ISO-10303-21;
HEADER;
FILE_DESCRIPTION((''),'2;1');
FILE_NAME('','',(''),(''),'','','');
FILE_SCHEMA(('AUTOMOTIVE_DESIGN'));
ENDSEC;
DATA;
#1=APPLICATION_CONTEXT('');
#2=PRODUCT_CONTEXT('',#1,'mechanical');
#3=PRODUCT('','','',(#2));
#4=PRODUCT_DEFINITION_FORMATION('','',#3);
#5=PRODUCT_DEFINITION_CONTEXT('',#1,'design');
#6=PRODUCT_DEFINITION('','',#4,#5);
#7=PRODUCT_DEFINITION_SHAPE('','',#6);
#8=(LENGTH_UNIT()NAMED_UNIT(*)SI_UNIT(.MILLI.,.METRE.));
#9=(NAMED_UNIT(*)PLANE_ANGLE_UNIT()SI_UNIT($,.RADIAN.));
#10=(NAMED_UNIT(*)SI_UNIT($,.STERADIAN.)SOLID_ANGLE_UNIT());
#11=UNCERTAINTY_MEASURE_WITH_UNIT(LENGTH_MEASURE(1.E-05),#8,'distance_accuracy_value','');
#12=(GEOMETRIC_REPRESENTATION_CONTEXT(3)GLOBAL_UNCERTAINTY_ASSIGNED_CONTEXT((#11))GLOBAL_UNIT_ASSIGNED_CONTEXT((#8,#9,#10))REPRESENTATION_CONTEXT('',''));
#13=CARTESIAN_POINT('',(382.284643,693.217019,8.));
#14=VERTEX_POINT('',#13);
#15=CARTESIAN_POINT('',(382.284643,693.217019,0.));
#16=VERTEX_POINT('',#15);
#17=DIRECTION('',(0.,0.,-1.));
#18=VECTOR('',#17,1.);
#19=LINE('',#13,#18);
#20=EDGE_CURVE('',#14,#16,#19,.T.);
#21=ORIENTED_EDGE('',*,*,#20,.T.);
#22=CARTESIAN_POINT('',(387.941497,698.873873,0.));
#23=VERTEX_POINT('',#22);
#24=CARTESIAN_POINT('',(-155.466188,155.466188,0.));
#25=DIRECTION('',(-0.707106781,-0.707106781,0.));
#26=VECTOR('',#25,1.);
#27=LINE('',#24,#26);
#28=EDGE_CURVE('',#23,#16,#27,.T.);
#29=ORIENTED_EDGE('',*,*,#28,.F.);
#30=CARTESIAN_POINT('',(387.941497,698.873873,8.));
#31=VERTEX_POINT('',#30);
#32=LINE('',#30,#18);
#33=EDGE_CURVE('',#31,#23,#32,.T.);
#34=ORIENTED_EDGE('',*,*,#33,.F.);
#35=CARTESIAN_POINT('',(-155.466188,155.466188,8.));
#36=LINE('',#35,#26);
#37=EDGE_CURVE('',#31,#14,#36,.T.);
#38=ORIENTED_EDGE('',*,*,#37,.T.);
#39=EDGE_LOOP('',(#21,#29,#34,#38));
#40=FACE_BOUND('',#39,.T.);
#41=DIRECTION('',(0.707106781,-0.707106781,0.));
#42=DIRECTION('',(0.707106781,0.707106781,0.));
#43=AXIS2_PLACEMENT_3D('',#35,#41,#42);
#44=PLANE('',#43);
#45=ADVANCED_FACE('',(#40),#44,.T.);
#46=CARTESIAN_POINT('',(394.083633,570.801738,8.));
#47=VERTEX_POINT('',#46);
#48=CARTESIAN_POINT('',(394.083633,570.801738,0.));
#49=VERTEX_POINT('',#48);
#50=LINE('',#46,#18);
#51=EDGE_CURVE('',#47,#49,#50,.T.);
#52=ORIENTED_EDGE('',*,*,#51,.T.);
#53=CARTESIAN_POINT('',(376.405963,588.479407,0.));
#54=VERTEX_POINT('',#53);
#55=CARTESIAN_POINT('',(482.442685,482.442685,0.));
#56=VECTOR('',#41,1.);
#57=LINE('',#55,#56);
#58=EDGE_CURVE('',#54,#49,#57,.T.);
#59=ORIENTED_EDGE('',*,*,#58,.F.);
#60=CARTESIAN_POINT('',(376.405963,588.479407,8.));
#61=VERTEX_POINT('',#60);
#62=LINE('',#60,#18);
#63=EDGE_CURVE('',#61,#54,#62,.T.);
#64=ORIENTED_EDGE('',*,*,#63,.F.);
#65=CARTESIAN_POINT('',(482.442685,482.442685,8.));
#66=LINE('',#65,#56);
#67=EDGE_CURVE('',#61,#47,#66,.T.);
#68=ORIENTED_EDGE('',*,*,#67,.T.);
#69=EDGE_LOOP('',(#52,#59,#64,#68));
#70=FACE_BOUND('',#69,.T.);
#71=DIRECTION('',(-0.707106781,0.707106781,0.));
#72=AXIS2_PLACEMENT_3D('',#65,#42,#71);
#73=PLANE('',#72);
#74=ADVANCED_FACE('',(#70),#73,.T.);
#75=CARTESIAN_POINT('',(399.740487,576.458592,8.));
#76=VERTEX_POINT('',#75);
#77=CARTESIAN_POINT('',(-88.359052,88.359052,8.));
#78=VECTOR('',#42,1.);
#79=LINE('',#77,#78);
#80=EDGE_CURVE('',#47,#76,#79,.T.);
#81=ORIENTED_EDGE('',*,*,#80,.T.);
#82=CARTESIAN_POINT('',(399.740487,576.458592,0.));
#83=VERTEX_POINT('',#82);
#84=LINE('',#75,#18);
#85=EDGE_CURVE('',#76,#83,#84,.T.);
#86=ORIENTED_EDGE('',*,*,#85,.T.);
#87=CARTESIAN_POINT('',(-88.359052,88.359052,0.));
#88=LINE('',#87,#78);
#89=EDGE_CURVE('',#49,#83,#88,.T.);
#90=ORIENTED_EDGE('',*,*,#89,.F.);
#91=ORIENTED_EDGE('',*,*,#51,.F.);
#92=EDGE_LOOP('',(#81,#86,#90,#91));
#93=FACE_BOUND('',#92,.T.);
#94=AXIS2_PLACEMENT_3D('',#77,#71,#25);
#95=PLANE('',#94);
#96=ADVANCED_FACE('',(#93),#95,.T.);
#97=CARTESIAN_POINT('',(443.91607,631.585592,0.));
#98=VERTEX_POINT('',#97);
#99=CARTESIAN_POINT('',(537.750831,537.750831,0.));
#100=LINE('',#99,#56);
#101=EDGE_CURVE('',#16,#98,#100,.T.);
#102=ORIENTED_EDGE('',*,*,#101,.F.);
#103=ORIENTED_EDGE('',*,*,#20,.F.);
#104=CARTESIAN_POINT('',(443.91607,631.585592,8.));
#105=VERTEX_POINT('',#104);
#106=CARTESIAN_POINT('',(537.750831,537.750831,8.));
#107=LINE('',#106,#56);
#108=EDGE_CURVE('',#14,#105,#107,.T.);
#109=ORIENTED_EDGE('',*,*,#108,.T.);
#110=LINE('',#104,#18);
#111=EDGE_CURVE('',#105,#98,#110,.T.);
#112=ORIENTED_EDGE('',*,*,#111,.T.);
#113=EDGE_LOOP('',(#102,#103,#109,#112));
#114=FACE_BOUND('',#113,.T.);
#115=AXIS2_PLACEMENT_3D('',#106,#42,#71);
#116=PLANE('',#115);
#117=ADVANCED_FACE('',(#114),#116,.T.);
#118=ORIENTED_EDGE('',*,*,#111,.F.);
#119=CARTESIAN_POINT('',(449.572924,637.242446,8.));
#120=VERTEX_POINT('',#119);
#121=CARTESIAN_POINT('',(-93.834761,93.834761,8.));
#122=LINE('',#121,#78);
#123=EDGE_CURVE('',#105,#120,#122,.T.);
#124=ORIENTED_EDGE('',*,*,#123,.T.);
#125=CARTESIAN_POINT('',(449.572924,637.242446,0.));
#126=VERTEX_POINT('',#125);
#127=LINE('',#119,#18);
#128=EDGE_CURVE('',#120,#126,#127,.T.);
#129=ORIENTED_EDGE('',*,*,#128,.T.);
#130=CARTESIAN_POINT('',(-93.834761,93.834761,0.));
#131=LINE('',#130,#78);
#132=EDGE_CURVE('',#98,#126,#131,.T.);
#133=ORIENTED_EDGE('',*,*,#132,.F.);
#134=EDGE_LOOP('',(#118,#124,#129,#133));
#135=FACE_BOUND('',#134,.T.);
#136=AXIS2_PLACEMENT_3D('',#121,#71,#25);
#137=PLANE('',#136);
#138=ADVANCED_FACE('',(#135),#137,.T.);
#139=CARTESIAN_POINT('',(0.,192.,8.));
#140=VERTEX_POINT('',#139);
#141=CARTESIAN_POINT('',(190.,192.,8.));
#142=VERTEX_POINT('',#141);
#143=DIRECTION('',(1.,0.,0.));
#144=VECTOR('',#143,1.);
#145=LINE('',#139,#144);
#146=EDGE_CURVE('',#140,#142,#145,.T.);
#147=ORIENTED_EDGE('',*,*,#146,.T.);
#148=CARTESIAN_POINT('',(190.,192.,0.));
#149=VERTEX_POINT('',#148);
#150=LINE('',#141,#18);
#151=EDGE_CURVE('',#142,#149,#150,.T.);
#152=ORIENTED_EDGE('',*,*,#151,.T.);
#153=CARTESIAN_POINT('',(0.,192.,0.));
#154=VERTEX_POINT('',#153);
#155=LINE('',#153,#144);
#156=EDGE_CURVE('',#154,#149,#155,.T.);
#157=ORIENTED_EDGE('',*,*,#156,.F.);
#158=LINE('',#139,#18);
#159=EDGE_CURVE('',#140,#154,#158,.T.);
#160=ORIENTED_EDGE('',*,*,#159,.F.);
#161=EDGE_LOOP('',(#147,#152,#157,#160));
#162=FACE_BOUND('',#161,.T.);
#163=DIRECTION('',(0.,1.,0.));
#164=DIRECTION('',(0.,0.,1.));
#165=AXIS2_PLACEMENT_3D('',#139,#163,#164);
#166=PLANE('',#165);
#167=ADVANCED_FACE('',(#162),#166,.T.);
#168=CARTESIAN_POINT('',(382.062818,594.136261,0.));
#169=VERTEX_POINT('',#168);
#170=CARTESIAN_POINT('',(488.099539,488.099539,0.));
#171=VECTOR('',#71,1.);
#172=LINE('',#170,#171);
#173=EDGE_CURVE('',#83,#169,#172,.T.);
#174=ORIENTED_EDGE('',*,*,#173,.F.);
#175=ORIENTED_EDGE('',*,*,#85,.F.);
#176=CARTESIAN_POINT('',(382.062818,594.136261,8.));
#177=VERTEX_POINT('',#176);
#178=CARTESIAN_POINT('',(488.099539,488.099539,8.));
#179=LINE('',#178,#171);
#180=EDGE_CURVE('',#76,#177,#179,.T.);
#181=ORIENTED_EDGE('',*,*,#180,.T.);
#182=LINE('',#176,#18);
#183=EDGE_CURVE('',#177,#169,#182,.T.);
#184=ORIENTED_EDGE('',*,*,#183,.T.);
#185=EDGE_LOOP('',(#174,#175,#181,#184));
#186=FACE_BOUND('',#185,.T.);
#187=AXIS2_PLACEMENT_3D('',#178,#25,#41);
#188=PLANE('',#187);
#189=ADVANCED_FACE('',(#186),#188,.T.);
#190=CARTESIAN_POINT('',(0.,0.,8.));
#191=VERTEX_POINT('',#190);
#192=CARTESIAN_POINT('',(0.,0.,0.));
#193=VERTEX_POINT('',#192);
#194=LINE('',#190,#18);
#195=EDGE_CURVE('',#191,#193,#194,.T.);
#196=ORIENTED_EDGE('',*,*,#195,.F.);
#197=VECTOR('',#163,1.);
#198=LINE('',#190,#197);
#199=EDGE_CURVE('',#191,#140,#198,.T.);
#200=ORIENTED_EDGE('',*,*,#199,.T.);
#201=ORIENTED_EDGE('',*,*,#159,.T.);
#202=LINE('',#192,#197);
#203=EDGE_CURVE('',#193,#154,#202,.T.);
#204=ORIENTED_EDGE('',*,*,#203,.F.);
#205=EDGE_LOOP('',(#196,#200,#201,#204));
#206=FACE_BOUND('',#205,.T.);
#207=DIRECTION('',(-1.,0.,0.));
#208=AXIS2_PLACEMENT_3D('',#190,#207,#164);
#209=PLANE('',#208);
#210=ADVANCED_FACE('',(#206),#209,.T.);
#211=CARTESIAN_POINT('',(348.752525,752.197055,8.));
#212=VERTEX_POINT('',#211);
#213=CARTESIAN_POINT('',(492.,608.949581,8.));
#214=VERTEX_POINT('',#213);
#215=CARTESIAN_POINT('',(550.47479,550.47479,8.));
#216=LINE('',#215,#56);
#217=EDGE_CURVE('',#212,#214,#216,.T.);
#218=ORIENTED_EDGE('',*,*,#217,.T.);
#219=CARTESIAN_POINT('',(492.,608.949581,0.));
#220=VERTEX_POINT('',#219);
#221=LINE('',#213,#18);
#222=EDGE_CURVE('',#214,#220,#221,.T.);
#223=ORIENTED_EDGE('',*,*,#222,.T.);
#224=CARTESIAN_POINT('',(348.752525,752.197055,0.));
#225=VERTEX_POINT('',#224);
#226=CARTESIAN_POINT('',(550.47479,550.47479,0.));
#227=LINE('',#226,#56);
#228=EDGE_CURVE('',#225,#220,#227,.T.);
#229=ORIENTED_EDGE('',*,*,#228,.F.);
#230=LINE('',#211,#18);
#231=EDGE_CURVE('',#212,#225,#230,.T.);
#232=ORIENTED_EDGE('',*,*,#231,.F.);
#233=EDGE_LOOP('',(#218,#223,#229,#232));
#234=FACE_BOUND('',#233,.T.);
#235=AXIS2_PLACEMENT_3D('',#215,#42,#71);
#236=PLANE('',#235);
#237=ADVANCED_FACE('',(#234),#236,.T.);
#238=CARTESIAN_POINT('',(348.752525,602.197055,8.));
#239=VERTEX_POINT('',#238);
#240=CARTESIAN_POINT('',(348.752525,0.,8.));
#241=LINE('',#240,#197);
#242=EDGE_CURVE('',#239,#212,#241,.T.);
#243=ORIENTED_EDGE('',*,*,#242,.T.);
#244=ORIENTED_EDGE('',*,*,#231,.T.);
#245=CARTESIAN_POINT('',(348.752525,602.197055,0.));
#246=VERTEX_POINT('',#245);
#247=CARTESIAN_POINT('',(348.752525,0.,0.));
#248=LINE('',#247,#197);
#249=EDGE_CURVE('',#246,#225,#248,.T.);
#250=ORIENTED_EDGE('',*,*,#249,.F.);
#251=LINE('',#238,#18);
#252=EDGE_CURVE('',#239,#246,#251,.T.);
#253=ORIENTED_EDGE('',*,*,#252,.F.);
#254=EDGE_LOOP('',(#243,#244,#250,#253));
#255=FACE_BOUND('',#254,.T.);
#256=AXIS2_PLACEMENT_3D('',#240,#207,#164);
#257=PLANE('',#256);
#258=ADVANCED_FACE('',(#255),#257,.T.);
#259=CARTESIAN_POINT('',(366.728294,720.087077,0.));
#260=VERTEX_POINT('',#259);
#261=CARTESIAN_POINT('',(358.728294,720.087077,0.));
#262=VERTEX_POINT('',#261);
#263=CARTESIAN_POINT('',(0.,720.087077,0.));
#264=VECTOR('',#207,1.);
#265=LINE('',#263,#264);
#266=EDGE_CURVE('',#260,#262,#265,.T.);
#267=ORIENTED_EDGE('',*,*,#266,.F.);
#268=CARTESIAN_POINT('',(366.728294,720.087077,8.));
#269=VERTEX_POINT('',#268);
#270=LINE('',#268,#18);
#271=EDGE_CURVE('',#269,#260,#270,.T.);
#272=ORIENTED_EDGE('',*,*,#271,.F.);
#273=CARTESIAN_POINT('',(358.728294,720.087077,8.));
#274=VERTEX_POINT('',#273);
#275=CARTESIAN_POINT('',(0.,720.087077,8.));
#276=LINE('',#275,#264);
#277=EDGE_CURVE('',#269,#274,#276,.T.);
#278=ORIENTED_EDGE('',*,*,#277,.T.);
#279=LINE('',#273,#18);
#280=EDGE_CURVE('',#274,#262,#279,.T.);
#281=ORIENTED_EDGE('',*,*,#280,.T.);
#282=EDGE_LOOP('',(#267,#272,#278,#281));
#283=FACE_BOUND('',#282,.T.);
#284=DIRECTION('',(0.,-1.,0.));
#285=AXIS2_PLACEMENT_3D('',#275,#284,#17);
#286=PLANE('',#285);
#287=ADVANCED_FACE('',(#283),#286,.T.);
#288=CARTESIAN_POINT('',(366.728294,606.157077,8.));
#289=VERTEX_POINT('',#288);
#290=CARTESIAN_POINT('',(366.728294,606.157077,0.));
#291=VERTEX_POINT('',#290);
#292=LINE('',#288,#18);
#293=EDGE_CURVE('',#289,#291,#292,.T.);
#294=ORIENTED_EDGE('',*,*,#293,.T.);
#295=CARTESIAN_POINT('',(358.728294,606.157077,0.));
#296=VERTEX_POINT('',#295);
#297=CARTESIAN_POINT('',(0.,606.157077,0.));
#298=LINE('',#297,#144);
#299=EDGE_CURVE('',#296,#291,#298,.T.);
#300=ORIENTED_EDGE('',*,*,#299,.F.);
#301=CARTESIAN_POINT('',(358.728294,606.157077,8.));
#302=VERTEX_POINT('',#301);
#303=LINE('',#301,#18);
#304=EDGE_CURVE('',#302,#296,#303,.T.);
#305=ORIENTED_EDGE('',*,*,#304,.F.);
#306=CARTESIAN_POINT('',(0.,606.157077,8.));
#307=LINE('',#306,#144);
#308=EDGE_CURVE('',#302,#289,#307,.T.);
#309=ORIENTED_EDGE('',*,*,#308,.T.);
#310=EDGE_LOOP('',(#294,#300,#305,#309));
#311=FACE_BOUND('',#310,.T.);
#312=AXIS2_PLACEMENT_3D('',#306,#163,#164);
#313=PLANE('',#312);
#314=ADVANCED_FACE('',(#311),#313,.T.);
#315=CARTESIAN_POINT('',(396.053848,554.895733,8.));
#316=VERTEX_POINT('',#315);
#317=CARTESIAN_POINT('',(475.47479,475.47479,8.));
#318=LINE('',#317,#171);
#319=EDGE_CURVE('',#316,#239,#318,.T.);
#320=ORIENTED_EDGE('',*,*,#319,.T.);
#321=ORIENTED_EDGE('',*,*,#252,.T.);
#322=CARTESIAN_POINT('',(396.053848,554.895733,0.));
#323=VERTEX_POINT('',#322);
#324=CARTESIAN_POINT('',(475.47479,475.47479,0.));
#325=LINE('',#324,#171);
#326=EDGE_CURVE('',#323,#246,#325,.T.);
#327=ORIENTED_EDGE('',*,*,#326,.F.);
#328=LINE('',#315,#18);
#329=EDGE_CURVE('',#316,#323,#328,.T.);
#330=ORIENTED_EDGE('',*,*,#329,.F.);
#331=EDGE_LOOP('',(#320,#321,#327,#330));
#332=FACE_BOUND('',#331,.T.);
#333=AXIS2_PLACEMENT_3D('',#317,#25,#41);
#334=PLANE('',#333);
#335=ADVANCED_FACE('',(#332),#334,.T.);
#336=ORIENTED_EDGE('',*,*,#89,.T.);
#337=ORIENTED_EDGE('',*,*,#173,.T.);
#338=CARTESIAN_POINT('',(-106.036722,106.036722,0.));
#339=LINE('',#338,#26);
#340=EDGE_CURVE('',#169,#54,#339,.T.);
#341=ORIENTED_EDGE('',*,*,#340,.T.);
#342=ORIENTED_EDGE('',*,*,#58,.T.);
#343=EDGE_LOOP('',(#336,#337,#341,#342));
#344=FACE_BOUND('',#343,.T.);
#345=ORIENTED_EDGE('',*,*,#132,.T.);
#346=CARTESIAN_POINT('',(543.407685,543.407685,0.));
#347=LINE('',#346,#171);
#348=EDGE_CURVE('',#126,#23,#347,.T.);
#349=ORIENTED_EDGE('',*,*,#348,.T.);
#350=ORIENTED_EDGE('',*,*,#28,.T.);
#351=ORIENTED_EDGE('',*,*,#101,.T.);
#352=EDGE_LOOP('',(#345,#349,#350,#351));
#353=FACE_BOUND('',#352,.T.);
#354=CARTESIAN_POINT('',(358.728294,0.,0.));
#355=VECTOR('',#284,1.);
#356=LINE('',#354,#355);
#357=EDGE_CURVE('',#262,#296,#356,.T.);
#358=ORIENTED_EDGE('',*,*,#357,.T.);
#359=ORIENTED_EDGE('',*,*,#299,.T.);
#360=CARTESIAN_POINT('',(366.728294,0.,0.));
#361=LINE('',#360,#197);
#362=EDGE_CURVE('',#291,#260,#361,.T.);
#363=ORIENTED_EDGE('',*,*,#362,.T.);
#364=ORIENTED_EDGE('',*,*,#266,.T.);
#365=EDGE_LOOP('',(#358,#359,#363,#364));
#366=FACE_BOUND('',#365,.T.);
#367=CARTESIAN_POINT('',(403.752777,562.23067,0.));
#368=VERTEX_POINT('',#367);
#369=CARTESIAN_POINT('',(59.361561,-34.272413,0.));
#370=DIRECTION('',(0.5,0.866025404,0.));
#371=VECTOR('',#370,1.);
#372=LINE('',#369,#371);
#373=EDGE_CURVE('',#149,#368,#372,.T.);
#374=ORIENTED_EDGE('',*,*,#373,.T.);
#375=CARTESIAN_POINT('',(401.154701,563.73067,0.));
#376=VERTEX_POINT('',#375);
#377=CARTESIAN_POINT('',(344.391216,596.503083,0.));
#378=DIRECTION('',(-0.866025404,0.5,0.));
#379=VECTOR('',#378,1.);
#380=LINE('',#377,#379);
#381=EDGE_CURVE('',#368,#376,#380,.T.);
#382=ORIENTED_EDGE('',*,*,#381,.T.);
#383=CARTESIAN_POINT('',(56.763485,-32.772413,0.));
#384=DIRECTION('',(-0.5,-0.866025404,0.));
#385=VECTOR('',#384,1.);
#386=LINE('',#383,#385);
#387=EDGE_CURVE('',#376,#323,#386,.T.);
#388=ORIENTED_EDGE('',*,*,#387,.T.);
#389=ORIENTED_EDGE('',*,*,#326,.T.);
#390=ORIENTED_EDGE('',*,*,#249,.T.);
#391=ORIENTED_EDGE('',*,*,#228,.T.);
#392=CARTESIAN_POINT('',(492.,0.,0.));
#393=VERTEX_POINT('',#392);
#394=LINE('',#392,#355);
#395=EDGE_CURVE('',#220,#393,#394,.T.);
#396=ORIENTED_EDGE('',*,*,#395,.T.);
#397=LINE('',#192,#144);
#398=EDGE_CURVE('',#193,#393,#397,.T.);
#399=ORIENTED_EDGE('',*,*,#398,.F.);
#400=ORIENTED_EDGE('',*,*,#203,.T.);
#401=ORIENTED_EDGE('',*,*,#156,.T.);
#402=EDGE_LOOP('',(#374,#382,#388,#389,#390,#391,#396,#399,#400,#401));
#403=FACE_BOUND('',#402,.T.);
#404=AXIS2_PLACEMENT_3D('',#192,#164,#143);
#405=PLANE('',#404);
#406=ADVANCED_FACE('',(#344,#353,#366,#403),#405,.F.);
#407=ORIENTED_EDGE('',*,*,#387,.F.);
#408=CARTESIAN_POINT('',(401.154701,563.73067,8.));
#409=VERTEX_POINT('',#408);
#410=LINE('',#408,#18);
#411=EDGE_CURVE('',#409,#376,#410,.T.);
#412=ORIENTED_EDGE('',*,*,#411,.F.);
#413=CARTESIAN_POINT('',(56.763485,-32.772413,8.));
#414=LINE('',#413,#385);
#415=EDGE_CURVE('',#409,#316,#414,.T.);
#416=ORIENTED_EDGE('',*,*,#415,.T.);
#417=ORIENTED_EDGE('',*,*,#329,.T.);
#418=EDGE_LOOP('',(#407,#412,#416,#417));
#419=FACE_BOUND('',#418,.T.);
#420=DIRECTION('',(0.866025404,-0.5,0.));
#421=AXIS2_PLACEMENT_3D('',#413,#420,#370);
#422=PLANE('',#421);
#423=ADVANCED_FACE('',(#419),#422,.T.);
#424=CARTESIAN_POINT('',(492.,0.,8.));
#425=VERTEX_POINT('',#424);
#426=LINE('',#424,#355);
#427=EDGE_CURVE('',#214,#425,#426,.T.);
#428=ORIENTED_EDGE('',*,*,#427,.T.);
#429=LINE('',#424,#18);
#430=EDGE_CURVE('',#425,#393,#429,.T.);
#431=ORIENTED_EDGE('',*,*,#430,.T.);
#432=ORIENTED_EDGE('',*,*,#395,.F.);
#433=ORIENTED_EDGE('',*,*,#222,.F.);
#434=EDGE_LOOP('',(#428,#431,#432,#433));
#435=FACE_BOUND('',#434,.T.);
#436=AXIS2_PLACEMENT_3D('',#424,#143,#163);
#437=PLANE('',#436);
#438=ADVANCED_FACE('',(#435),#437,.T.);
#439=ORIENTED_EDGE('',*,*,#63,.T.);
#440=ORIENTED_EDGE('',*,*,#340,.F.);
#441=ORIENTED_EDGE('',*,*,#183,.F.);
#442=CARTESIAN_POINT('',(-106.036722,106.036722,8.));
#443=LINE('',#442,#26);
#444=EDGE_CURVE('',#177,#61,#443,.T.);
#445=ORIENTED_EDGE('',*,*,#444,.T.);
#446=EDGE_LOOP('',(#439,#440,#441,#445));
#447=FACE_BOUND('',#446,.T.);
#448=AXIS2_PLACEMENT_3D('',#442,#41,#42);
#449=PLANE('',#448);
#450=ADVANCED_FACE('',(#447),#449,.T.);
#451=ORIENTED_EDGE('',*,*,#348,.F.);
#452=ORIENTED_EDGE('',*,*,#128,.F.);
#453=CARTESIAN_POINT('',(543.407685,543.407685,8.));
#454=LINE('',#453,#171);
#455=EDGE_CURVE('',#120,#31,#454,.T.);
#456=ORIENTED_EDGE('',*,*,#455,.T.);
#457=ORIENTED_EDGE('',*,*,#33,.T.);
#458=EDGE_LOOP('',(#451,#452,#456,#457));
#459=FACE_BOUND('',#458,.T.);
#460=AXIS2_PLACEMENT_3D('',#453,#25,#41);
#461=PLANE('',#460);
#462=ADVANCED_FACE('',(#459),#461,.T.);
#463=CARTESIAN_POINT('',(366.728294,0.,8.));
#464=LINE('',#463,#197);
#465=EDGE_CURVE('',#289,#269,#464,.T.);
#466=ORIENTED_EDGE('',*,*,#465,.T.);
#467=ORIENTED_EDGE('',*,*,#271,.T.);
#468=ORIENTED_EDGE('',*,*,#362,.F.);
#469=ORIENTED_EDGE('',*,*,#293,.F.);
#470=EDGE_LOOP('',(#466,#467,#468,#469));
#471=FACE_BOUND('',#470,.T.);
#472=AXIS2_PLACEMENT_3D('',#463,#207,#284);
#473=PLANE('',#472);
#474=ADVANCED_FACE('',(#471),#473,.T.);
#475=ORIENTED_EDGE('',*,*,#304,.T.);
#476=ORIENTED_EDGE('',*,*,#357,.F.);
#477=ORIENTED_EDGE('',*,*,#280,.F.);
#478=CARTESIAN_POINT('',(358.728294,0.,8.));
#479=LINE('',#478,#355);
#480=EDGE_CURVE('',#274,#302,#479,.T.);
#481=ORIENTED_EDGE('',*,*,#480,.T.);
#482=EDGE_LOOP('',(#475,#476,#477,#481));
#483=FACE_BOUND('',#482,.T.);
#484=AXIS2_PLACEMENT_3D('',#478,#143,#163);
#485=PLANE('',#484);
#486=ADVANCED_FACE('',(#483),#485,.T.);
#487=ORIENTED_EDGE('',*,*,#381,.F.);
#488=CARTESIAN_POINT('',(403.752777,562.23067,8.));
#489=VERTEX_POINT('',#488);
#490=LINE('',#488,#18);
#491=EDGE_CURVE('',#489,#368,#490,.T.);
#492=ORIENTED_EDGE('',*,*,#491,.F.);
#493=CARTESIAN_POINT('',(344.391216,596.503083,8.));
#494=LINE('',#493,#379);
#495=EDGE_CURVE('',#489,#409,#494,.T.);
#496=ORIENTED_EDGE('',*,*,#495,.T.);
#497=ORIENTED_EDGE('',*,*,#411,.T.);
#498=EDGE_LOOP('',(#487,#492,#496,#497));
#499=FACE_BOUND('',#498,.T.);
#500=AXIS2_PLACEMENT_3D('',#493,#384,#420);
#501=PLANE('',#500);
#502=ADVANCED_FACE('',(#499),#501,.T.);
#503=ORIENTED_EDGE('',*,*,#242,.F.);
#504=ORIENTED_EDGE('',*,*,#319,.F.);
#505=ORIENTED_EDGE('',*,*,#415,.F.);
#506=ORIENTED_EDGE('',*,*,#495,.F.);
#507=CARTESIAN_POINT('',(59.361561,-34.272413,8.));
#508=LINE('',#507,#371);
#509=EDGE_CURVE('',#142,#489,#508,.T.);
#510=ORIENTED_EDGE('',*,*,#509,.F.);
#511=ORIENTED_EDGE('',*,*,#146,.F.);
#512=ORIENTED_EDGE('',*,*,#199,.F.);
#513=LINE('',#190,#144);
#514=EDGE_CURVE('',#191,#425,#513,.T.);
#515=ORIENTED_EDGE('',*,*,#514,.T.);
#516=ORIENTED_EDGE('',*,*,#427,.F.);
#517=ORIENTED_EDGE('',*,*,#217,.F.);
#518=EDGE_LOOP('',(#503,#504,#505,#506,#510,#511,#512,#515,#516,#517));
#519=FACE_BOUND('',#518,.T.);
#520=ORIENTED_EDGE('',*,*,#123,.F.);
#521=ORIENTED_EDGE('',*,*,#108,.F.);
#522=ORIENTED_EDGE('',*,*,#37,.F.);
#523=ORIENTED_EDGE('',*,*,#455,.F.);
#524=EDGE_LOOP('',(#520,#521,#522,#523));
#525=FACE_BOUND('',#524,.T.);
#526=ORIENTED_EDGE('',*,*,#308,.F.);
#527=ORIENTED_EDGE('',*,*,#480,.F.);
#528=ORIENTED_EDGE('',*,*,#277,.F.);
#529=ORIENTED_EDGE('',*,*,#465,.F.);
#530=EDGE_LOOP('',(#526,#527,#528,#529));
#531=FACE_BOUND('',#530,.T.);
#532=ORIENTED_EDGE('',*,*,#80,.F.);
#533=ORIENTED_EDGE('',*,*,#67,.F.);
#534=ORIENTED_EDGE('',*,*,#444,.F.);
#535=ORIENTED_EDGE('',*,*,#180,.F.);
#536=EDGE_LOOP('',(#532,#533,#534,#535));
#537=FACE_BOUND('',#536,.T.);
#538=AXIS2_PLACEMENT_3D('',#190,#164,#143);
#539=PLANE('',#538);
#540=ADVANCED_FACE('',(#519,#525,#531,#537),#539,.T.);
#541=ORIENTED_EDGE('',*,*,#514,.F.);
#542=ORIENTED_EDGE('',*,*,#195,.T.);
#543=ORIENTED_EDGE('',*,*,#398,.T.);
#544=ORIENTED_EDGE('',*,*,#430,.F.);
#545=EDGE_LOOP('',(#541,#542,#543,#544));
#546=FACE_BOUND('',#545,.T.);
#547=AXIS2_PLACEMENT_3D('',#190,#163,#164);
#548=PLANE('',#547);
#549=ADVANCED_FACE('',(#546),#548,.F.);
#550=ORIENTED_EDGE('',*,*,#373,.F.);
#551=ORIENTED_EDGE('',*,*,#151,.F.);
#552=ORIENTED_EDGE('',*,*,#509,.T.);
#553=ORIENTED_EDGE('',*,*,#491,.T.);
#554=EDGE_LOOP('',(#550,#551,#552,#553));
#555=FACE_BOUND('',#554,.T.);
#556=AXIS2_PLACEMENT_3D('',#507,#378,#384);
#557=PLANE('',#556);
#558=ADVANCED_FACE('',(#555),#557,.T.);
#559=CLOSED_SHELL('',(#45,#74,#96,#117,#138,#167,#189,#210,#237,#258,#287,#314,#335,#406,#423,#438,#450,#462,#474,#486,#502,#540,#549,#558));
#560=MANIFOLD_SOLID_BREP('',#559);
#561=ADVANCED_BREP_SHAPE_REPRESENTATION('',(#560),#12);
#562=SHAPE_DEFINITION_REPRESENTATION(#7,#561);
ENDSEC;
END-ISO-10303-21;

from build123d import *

# Parameters (mm, degrees)
SKETCH1_W           = 8
SKETCH1_H           = 113.93
BOSS_EXTRUDE1_DEPTH = 8


with BuildPart() as part:
    # Sketch1 → Boss-Extrude1 (new body)
    with BuildSketch(Plane.XY):
        Polygon((0, 192), (0, 0), (492, 0), (492, 608.949580676), (348.752525317, 752.197055359), (348.752525317, 602.197055359), (396.053847577, 554.895733099), (401.154700619, 563.730669729), (403.75277683, 562.230669729), (398.25, 552.699580676), (190, 192), align=None)
        with Locations((362.728293748, 663.1220766)):
            Rectangle(SKETCH1_W, SKETCH1_H, mode=Mode.SUBTRACT)
        Polygon((394.083632807, 570.801737541), (376.405963277, 588.479407071), (382.062817527, 594.13626132), (399.740487057, 576.458591791), align=None, mode=Mode.SUBTRACT)
        Polygon((443.916069982, 631.585591867), (382.284642934, 693.217018915), (387.941497183, 698.873873165), (449.572924232, 637.242446117), align=None, mode=Mode.SUBTRACT)
    extrude(amount=BOSS_EXTRUDE1_DEPTH)


solid = part.part
